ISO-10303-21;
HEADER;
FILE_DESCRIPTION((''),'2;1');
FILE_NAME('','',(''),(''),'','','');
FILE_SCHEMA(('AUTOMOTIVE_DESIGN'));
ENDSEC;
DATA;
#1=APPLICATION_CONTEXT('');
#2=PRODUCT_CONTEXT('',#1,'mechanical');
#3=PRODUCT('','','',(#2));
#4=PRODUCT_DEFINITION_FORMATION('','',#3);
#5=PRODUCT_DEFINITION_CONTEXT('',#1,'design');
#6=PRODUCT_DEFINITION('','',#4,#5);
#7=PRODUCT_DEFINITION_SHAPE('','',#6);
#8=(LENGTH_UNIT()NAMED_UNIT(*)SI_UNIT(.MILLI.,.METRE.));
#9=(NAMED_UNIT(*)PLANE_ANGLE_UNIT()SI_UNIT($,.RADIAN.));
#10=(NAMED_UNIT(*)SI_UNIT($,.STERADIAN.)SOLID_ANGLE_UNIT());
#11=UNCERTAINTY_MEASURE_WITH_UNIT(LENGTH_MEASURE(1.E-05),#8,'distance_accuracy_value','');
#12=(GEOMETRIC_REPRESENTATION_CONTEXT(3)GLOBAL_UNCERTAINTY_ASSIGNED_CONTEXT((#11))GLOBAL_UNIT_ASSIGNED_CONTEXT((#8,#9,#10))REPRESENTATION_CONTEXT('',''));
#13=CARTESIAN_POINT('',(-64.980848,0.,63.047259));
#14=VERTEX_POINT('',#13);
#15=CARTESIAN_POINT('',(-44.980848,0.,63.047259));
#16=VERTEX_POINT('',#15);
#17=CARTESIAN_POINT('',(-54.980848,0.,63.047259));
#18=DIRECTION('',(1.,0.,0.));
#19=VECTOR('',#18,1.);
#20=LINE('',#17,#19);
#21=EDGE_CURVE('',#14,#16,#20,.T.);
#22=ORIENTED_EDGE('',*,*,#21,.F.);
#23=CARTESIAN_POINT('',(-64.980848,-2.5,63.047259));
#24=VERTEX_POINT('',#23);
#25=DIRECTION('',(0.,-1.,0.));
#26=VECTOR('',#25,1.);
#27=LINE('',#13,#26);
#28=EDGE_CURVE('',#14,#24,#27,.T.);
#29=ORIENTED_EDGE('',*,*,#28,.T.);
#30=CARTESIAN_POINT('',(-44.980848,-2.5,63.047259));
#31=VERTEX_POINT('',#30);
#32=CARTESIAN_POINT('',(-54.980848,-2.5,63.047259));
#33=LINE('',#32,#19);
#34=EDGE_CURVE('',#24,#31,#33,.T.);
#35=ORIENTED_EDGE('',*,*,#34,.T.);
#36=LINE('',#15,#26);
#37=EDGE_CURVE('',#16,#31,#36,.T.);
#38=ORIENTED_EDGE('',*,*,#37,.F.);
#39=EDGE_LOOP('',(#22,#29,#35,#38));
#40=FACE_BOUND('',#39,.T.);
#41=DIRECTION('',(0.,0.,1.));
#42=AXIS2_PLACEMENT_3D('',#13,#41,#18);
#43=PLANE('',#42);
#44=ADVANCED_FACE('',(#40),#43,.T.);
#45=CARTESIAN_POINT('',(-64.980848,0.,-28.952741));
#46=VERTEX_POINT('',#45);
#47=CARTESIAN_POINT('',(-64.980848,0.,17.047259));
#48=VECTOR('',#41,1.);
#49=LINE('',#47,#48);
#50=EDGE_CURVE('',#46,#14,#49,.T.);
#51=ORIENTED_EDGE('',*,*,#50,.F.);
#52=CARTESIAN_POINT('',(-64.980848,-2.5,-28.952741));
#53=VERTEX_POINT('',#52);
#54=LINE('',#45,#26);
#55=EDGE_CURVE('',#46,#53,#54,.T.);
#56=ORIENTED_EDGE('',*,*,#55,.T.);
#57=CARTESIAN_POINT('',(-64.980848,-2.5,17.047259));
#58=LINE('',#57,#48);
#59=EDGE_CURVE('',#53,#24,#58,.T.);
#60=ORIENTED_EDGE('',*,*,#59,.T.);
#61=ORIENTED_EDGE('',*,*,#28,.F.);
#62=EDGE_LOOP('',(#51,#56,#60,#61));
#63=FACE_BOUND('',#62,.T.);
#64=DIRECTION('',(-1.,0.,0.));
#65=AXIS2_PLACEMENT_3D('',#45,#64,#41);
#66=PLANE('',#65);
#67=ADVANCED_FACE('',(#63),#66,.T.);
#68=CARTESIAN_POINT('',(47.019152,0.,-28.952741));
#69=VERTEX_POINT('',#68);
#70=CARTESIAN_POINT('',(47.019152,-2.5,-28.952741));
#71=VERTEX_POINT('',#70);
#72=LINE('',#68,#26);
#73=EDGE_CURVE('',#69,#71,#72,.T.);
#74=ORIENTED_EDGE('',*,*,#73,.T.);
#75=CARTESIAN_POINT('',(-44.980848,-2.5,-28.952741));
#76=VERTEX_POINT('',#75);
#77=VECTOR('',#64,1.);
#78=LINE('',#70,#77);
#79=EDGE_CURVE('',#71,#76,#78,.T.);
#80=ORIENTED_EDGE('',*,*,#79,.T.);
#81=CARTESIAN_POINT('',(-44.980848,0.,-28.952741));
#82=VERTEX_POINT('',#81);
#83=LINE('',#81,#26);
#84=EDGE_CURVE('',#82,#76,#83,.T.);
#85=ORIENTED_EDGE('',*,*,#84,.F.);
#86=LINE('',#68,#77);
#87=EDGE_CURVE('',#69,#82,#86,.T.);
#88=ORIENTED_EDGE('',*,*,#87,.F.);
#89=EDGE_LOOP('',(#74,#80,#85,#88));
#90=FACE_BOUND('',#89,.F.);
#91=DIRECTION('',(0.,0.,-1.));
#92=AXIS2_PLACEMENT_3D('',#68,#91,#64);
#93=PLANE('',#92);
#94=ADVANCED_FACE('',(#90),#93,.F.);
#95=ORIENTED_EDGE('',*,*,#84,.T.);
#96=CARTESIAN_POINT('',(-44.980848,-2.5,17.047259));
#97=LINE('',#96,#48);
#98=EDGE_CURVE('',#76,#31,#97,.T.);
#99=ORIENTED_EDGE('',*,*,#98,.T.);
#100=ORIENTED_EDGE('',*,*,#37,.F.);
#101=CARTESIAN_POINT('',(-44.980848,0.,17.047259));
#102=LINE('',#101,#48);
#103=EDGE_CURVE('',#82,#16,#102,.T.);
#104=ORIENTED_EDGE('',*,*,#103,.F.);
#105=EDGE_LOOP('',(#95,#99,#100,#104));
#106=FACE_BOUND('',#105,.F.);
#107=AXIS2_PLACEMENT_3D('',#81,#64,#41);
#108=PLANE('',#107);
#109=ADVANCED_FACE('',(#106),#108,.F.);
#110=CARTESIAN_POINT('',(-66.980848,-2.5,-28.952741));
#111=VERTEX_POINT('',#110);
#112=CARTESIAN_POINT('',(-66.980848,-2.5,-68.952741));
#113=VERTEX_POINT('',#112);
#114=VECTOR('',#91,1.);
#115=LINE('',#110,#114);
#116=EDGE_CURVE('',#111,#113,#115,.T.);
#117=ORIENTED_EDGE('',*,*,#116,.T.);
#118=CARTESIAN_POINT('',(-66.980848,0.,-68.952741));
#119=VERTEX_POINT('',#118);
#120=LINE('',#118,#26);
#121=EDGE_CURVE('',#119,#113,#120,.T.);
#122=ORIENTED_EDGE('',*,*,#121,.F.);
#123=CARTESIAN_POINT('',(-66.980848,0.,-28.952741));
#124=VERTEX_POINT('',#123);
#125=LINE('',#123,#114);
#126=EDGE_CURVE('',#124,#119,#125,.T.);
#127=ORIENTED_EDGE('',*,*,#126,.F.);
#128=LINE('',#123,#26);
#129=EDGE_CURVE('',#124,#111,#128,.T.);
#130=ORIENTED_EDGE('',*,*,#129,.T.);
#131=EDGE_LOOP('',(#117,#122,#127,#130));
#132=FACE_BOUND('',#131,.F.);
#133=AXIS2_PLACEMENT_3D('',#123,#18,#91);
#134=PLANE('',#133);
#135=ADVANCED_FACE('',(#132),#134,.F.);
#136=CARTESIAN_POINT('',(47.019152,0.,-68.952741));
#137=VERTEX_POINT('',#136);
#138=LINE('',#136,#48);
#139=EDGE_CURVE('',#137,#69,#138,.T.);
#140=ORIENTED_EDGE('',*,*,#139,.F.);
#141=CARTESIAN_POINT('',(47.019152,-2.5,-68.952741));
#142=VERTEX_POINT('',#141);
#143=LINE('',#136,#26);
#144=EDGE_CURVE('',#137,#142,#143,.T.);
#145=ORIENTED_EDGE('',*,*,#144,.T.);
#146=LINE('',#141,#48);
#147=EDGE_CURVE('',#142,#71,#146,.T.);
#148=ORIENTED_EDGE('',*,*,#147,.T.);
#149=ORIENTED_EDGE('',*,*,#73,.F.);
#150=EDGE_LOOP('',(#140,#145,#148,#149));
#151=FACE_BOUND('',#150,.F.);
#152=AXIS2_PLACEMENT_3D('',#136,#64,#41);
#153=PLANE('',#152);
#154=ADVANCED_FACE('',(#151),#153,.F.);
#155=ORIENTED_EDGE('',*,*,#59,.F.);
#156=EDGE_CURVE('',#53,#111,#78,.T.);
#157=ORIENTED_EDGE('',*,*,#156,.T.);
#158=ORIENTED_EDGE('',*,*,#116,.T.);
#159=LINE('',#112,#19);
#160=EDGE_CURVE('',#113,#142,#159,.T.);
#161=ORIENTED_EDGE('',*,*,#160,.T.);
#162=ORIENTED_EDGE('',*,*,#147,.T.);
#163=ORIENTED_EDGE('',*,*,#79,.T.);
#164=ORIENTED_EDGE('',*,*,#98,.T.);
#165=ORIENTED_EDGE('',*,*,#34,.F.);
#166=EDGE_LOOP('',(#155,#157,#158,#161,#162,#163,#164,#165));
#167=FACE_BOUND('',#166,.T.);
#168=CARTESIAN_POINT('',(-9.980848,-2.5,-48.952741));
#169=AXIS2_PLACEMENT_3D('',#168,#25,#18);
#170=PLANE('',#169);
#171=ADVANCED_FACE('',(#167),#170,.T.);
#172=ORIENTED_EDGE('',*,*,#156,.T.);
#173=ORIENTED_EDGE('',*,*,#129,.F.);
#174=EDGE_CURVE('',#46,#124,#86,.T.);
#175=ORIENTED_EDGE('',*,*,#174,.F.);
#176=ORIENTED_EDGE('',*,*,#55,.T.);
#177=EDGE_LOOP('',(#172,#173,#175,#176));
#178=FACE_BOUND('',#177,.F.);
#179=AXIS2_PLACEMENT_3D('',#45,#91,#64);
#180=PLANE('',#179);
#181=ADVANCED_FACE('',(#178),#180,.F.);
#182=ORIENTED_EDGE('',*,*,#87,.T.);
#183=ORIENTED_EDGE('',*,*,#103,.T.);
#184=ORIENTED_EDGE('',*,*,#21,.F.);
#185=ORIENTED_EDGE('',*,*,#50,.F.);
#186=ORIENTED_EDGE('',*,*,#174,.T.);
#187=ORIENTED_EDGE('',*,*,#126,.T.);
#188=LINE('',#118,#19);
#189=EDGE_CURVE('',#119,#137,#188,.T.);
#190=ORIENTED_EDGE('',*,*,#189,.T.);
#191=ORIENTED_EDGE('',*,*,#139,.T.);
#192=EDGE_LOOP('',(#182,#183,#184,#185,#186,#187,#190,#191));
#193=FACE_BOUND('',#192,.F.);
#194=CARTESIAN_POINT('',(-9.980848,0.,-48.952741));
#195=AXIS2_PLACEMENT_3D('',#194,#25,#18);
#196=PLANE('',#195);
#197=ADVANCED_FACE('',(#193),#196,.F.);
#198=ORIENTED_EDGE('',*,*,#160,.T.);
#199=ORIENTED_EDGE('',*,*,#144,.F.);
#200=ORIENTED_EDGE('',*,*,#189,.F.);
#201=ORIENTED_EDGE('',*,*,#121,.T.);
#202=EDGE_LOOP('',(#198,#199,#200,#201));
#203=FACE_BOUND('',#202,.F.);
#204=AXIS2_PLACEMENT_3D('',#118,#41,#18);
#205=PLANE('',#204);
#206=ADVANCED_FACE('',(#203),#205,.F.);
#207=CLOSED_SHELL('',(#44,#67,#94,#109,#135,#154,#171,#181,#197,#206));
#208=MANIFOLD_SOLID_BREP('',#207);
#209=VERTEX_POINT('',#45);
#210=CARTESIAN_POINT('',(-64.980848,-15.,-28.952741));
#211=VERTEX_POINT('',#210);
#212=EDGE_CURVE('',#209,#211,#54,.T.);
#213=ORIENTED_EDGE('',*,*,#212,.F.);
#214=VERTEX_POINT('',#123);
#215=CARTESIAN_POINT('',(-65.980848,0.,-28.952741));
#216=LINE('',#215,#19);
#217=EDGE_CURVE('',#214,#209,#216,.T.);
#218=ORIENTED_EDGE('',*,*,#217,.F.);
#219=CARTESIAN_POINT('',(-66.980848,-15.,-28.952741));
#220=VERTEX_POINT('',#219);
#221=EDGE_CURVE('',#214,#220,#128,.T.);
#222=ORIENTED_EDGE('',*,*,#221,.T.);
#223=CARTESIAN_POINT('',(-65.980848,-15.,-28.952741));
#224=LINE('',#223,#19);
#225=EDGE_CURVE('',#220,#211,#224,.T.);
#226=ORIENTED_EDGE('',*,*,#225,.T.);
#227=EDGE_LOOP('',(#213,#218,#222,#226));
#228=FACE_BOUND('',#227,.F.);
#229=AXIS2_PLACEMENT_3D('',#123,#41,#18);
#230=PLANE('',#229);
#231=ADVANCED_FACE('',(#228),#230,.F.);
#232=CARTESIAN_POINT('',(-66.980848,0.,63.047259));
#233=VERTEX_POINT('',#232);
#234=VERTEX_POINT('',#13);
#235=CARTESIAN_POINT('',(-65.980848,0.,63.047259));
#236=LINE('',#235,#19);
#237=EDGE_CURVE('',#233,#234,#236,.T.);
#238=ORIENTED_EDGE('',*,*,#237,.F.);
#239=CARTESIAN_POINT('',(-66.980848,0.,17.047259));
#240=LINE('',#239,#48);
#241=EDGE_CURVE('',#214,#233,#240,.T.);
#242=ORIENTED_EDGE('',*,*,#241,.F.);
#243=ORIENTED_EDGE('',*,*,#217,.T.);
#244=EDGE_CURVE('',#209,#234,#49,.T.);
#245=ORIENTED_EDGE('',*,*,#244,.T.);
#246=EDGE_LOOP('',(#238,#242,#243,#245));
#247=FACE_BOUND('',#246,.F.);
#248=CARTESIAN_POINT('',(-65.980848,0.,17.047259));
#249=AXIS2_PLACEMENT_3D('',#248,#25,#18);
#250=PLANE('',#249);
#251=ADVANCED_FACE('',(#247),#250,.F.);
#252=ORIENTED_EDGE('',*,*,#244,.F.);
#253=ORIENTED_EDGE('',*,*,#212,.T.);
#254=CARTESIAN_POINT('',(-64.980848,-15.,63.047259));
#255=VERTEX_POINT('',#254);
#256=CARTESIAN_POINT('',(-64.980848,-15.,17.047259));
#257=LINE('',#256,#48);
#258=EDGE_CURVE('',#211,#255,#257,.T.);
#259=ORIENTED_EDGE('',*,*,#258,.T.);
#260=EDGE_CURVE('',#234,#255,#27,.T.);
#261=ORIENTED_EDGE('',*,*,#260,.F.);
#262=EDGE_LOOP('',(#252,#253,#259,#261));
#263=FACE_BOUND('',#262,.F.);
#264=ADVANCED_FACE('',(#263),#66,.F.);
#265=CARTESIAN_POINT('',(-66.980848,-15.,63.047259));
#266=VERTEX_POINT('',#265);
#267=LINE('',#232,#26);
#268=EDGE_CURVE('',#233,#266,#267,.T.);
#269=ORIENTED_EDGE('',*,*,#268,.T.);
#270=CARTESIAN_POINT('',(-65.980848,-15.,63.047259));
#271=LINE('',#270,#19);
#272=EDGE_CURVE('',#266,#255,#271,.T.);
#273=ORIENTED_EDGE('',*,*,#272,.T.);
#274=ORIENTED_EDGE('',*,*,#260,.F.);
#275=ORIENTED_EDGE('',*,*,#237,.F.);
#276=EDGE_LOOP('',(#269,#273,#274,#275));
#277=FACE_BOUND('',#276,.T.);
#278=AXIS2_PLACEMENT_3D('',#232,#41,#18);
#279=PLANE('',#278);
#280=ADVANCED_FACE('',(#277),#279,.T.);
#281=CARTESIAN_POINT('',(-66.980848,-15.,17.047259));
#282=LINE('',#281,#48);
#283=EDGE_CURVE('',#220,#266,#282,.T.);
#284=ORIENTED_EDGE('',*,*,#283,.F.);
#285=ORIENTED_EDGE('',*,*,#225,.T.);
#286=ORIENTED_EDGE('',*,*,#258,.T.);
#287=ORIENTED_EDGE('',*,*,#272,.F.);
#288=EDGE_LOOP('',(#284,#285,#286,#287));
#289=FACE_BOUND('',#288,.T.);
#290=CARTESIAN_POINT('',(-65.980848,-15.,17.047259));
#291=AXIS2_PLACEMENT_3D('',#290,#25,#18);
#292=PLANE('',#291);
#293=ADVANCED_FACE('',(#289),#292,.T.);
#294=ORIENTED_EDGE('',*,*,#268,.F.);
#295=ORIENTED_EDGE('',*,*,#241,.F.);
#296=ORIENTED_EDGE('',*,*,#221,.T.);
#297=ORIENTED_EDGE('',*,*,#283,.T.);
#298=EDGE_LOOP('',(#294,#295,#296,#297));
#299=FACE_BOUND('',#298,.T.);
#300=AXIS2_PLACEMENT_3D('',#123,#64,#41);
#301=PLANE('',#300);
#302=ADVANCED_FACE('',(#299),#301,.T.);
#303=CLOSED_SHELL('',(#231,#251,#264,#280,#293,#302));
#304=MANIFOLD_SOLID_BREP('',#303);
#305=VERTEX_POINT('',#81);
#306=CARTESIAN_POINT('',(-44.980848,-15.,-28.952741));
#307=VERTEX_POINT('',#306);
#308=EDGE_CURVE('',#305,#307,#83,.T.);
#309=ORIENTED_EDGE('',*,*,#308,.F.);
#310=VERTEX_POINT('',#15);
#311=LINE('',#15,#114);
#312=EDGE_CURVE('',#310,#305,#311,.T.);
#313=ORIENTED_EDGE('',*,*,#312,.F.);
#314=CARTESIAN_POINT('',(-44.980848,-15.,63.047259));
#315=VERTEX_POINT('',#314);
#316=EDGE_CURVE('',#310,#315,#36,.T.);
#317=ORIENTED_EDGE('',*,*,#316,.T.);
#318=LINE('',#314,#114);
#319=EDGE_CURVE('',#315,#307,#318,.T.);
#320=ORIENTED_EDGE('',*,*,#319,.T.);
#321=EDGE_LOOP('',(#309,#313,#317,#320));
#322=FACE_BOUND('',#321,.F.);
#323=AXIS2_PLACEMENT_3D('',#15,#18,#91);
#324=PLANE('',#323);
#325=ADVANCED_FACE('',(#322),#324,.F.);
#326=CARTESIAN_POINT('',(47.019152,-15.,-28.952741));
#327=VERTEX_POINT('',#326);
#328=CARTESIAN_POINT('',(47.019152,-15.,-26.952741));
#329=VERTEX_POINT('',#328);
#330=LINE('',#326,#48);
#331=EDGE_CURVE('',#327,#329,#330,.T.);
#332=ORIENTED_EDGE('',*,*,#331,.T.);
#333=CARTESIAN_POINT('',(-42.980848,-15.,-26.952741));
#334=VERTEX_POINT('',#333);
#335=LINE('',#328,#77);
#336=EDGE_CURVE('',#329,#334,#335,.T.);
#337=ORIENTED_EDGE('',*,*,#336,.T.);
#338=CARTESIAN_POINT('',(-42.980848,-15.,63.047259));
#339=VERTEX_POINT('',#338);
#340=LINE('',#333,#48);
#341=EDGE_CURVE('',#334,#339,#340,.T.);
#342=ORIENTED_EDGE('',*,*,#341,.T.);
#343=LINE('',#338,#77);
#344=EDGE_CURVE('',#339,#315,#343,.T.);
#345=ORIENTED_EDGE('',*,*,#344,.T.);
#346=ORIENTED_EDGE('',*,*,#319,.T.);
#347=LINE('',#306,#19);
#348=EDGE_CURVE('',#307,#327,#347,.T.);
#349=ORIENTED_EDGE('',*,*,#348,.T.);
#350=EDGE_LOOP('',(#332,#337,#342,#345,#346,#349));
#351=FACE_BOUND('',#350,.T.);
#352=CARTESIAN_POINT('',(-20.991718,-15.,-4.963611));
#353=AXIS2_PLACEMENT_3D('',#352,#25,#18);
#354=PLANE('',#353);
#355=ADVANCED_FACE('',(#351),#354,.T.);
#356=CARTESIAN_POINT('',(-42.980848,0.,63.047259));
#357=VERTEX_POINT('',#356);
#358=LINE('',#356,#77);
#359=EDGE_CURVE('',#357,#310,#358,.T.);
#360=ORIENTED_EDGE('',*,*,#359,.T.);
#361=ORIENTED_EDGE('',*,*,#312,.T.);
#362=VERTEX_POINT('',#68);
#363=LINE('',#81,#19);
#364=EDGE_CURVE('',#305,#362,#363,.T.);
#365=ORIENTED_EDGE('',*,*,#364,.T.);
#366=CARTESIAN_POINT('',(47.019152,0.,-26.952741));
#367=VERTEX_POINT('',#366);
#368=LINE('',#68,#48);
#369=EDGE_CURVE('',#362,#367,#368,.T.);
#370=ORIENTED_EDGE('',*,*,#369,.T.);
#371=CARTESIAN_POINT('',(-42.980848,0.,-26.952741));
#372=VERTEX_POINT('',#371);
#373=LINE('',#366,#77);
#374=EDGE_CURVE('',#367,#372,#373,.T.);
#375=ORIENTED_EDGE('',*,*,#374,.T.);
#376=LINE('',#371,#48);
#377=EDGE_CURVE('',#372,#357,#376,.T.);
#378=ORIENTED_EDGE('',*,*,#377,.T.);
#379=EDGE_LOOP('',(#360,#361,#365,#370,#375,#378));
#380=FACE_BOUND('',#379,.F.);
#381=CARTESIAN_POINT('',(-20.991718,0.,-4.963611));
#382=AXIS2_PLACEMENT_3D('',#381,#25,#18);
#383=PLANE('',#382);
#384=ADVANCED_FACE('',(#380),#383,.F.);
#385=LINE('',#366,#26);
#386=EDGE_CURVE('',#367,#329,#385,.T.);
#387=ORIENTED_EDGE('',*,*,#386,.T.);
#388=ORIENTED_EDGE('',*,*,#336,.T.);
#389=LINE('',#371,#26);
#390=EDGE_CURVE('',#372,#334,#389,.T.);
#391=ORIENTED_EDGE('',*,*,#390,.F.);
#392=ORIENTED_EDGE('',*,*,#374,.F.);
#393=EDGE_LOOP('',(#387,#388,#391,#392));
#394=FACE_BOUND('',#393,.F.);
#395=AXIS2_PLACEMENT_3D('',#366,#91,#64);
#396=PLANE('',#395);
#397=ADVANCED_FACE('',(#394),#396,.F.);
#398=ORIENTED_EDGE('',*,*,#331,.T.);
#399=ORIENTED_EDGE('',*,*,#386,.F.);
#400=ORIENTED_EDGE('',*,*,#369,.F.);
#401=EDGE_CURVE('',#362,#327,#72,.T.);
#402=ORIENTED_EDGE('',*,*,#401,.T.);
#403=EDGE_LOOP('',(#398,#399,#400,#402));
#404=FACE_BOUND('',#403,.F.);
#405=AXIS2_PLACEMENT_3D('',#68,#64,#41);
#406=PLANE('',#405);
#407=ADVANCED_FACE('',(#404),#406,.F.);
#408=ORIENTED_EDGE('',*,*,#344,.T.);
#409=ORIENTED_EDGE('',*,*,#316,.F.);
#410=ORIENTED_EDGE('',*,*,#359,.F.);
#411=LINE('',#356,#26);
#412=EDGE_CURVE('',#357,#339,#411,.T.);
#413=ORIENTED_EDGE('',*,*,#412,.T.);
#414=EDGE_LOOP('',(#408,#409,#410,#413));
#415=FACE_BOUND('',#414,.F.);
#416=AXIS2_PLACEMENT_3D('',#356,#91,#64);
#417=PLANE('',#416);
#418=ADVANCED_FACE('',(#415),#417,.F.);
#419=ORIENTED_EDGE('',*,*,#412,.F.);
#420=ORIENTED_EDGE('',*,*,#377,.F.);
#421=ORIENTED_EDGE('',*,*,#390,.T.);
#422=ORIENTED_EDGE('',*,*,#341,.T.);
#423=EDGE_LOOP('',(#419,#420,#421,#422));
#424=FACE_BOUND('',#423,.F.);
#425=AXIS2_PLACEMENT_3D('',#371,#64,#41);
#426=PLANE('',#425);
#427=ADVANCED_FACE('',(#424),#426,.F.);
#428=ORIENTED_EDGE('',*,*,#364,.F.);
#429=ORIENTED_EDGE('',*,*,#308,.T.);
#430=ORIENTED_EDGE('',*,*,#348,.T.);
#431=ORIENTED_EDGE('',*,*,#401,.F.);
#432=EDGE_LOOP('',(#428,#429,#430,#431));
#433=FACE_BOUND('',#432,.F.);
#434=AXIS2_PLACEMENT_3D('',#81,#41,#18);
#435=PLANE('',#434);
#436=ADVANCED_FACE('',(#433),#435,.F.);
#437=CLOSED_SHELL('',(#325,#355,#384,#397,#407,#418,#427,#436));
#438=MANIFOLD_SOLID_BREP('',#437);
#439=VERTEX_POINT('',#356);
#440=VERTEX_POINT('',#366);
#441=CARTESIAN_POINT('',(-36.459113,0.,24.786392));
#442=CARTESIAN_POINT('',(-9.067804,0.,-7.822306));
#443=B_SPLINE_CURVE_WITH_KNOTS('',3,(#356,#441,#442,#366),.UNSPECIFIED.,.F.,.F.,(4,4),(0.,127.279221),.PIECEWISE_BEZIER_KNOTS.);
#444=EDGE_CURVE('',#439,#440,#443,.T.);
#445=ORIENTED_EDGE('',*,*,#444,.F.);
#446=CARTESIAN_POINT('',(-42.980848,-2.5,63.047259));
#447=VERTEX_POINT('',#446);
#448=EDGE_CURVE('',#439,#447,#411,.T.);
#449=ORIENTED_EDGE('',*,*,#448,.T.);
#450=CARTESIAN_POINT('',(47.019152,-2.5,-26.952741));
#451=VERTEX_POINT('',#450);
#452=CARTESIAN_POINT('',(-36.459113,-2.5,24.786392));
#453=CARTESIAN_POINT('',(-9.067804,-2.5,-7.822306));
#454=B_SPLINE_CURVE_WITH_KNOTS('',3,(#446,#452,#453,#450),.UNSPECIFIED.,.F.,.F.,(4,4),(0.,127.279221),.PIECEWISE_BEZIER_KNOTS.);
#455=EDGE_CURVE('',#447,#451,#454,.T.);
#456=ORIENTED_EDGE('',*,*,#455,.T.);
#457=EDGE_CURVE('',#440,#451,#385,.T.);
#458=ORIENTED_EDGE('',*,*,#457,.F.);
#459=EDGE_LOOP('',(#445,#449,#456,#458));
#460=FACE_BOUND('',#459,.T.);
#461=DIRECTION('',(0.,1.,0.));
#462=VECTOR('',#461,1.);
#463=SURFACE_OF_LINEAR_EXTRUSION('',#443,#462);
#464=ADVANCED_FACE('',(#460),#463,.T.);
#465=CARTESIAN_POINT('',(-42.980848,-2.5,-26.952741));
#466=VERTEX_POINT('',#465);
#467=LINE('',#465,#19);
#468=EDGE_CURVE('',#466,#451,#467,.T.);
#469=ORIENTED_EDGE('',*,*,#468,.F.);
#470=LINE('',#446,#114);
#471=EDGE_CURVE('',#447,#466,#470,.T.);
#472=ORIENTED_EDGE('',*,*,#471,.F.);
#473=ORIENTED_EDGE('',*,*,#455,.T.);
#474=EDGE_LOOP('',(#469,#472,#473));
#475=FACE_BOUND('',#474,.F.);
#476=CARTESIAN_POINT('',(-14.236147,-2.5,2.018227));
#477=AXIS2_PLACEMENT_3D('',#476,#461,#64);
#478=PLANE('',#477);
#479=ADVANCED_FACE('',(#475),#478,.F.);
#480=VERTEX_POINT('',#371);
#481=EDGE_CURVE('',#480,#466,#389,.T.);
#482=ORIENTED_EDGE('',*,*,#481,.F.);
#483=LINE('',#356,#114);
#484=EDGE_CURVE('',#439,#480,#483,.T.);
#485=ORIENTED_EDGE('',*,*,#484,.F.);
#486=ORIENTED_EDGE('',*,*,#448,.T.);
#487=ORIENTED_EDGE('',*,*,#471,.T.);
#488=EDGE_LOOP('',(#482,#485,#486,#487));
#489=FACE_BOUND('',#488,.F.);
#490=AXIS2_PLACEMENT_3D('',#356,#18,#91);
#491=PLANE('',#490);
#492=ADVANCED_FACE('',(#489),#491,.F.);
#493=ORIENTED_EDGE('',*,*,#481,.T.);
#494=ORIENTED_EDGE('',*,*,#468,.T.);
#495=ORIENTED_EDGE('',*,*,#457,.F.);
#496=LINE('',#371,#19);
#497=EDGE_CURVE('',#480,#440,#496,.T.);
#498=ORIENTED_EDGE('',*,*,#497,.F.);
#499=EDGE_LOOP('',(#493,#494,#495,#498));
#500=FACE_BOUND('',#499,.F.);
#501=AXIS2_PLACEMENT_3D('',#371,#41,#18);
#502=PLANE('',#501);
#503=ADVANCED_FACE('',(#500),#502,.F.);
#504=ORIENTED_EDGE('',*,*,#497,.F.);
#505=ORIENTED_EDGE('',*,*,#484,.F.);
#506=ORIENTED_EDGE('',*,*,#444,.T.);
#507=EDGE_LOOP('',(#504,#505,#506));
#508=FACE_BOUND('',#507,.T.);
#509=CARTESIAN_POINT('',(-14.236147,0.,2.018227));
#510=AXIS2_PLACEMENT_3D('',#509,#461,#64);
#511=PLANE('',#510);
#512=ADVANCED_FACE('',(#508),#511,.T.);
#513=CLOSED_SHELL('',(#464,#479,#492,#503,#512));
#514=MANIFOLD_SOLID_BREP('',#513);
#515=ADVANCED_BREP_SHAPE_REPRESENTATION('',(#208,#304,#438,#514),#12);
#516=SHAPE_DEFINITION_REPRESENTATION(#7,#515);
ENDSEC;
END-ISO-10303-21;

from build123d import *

# Parameters (mm, degrees)
F0_W     = 20
F0_H     = 92
F1_DEPTH = 2.5
F0_W_2   = 2
F2_DEPTH = 15


with BuildPart() as f1:
    # F0 (on Front) → F1 (new body)
    with BuildSketch(Plane.XZ):
        with BuildLine():
            add(Edge.make_bspline(
                [(-42.980848, 63.047259), (-36.459113, 24.786392), (-9.067804, -7.822306), (47.019152, -26.952741)],
                knots=[0, 0, 0, 0, 127.279221, 127.279221, 127.279221, 127.279221], degree=3))
            Line((-42.980848, 63.047259), (-42.980848, -26.952741))
            Line((-42.980848, -26.952741), (47.019152, -26.952741))
        make_face()
        Polygon((47.019152, -28.952741), (-44.980848, -28.952741), (-64.980848, -28.952741), (-66.980848, -28.952741), (-66.980848, -68.952741), (47.019152, -68.952741), align=None)
        with Locations((-54.980848, 17.047259)):
            Rectangle(F0_W, F0_H)
    extrude(amount=F1_DEPTH)


with BuildPart() as f2:
    # F0 (on Front) → F2 (new body)
    with BuildSketch(Plane.XZ):
        with Locations((-65.980848, 17.047259)):
            Rectangle(F0_W_2, F0_H)
        Polygon((-42.980848, -26.952741), (-42.980848, 63.047259), (-44.980848, 63.047259), (-44.980848, -28.952741), (47.019152, -28.952741), (47.019152, -26.952741), align=None)
    extrude(amount=F2_DEPTH)


solid = Compound([f1.part, f2.part])
